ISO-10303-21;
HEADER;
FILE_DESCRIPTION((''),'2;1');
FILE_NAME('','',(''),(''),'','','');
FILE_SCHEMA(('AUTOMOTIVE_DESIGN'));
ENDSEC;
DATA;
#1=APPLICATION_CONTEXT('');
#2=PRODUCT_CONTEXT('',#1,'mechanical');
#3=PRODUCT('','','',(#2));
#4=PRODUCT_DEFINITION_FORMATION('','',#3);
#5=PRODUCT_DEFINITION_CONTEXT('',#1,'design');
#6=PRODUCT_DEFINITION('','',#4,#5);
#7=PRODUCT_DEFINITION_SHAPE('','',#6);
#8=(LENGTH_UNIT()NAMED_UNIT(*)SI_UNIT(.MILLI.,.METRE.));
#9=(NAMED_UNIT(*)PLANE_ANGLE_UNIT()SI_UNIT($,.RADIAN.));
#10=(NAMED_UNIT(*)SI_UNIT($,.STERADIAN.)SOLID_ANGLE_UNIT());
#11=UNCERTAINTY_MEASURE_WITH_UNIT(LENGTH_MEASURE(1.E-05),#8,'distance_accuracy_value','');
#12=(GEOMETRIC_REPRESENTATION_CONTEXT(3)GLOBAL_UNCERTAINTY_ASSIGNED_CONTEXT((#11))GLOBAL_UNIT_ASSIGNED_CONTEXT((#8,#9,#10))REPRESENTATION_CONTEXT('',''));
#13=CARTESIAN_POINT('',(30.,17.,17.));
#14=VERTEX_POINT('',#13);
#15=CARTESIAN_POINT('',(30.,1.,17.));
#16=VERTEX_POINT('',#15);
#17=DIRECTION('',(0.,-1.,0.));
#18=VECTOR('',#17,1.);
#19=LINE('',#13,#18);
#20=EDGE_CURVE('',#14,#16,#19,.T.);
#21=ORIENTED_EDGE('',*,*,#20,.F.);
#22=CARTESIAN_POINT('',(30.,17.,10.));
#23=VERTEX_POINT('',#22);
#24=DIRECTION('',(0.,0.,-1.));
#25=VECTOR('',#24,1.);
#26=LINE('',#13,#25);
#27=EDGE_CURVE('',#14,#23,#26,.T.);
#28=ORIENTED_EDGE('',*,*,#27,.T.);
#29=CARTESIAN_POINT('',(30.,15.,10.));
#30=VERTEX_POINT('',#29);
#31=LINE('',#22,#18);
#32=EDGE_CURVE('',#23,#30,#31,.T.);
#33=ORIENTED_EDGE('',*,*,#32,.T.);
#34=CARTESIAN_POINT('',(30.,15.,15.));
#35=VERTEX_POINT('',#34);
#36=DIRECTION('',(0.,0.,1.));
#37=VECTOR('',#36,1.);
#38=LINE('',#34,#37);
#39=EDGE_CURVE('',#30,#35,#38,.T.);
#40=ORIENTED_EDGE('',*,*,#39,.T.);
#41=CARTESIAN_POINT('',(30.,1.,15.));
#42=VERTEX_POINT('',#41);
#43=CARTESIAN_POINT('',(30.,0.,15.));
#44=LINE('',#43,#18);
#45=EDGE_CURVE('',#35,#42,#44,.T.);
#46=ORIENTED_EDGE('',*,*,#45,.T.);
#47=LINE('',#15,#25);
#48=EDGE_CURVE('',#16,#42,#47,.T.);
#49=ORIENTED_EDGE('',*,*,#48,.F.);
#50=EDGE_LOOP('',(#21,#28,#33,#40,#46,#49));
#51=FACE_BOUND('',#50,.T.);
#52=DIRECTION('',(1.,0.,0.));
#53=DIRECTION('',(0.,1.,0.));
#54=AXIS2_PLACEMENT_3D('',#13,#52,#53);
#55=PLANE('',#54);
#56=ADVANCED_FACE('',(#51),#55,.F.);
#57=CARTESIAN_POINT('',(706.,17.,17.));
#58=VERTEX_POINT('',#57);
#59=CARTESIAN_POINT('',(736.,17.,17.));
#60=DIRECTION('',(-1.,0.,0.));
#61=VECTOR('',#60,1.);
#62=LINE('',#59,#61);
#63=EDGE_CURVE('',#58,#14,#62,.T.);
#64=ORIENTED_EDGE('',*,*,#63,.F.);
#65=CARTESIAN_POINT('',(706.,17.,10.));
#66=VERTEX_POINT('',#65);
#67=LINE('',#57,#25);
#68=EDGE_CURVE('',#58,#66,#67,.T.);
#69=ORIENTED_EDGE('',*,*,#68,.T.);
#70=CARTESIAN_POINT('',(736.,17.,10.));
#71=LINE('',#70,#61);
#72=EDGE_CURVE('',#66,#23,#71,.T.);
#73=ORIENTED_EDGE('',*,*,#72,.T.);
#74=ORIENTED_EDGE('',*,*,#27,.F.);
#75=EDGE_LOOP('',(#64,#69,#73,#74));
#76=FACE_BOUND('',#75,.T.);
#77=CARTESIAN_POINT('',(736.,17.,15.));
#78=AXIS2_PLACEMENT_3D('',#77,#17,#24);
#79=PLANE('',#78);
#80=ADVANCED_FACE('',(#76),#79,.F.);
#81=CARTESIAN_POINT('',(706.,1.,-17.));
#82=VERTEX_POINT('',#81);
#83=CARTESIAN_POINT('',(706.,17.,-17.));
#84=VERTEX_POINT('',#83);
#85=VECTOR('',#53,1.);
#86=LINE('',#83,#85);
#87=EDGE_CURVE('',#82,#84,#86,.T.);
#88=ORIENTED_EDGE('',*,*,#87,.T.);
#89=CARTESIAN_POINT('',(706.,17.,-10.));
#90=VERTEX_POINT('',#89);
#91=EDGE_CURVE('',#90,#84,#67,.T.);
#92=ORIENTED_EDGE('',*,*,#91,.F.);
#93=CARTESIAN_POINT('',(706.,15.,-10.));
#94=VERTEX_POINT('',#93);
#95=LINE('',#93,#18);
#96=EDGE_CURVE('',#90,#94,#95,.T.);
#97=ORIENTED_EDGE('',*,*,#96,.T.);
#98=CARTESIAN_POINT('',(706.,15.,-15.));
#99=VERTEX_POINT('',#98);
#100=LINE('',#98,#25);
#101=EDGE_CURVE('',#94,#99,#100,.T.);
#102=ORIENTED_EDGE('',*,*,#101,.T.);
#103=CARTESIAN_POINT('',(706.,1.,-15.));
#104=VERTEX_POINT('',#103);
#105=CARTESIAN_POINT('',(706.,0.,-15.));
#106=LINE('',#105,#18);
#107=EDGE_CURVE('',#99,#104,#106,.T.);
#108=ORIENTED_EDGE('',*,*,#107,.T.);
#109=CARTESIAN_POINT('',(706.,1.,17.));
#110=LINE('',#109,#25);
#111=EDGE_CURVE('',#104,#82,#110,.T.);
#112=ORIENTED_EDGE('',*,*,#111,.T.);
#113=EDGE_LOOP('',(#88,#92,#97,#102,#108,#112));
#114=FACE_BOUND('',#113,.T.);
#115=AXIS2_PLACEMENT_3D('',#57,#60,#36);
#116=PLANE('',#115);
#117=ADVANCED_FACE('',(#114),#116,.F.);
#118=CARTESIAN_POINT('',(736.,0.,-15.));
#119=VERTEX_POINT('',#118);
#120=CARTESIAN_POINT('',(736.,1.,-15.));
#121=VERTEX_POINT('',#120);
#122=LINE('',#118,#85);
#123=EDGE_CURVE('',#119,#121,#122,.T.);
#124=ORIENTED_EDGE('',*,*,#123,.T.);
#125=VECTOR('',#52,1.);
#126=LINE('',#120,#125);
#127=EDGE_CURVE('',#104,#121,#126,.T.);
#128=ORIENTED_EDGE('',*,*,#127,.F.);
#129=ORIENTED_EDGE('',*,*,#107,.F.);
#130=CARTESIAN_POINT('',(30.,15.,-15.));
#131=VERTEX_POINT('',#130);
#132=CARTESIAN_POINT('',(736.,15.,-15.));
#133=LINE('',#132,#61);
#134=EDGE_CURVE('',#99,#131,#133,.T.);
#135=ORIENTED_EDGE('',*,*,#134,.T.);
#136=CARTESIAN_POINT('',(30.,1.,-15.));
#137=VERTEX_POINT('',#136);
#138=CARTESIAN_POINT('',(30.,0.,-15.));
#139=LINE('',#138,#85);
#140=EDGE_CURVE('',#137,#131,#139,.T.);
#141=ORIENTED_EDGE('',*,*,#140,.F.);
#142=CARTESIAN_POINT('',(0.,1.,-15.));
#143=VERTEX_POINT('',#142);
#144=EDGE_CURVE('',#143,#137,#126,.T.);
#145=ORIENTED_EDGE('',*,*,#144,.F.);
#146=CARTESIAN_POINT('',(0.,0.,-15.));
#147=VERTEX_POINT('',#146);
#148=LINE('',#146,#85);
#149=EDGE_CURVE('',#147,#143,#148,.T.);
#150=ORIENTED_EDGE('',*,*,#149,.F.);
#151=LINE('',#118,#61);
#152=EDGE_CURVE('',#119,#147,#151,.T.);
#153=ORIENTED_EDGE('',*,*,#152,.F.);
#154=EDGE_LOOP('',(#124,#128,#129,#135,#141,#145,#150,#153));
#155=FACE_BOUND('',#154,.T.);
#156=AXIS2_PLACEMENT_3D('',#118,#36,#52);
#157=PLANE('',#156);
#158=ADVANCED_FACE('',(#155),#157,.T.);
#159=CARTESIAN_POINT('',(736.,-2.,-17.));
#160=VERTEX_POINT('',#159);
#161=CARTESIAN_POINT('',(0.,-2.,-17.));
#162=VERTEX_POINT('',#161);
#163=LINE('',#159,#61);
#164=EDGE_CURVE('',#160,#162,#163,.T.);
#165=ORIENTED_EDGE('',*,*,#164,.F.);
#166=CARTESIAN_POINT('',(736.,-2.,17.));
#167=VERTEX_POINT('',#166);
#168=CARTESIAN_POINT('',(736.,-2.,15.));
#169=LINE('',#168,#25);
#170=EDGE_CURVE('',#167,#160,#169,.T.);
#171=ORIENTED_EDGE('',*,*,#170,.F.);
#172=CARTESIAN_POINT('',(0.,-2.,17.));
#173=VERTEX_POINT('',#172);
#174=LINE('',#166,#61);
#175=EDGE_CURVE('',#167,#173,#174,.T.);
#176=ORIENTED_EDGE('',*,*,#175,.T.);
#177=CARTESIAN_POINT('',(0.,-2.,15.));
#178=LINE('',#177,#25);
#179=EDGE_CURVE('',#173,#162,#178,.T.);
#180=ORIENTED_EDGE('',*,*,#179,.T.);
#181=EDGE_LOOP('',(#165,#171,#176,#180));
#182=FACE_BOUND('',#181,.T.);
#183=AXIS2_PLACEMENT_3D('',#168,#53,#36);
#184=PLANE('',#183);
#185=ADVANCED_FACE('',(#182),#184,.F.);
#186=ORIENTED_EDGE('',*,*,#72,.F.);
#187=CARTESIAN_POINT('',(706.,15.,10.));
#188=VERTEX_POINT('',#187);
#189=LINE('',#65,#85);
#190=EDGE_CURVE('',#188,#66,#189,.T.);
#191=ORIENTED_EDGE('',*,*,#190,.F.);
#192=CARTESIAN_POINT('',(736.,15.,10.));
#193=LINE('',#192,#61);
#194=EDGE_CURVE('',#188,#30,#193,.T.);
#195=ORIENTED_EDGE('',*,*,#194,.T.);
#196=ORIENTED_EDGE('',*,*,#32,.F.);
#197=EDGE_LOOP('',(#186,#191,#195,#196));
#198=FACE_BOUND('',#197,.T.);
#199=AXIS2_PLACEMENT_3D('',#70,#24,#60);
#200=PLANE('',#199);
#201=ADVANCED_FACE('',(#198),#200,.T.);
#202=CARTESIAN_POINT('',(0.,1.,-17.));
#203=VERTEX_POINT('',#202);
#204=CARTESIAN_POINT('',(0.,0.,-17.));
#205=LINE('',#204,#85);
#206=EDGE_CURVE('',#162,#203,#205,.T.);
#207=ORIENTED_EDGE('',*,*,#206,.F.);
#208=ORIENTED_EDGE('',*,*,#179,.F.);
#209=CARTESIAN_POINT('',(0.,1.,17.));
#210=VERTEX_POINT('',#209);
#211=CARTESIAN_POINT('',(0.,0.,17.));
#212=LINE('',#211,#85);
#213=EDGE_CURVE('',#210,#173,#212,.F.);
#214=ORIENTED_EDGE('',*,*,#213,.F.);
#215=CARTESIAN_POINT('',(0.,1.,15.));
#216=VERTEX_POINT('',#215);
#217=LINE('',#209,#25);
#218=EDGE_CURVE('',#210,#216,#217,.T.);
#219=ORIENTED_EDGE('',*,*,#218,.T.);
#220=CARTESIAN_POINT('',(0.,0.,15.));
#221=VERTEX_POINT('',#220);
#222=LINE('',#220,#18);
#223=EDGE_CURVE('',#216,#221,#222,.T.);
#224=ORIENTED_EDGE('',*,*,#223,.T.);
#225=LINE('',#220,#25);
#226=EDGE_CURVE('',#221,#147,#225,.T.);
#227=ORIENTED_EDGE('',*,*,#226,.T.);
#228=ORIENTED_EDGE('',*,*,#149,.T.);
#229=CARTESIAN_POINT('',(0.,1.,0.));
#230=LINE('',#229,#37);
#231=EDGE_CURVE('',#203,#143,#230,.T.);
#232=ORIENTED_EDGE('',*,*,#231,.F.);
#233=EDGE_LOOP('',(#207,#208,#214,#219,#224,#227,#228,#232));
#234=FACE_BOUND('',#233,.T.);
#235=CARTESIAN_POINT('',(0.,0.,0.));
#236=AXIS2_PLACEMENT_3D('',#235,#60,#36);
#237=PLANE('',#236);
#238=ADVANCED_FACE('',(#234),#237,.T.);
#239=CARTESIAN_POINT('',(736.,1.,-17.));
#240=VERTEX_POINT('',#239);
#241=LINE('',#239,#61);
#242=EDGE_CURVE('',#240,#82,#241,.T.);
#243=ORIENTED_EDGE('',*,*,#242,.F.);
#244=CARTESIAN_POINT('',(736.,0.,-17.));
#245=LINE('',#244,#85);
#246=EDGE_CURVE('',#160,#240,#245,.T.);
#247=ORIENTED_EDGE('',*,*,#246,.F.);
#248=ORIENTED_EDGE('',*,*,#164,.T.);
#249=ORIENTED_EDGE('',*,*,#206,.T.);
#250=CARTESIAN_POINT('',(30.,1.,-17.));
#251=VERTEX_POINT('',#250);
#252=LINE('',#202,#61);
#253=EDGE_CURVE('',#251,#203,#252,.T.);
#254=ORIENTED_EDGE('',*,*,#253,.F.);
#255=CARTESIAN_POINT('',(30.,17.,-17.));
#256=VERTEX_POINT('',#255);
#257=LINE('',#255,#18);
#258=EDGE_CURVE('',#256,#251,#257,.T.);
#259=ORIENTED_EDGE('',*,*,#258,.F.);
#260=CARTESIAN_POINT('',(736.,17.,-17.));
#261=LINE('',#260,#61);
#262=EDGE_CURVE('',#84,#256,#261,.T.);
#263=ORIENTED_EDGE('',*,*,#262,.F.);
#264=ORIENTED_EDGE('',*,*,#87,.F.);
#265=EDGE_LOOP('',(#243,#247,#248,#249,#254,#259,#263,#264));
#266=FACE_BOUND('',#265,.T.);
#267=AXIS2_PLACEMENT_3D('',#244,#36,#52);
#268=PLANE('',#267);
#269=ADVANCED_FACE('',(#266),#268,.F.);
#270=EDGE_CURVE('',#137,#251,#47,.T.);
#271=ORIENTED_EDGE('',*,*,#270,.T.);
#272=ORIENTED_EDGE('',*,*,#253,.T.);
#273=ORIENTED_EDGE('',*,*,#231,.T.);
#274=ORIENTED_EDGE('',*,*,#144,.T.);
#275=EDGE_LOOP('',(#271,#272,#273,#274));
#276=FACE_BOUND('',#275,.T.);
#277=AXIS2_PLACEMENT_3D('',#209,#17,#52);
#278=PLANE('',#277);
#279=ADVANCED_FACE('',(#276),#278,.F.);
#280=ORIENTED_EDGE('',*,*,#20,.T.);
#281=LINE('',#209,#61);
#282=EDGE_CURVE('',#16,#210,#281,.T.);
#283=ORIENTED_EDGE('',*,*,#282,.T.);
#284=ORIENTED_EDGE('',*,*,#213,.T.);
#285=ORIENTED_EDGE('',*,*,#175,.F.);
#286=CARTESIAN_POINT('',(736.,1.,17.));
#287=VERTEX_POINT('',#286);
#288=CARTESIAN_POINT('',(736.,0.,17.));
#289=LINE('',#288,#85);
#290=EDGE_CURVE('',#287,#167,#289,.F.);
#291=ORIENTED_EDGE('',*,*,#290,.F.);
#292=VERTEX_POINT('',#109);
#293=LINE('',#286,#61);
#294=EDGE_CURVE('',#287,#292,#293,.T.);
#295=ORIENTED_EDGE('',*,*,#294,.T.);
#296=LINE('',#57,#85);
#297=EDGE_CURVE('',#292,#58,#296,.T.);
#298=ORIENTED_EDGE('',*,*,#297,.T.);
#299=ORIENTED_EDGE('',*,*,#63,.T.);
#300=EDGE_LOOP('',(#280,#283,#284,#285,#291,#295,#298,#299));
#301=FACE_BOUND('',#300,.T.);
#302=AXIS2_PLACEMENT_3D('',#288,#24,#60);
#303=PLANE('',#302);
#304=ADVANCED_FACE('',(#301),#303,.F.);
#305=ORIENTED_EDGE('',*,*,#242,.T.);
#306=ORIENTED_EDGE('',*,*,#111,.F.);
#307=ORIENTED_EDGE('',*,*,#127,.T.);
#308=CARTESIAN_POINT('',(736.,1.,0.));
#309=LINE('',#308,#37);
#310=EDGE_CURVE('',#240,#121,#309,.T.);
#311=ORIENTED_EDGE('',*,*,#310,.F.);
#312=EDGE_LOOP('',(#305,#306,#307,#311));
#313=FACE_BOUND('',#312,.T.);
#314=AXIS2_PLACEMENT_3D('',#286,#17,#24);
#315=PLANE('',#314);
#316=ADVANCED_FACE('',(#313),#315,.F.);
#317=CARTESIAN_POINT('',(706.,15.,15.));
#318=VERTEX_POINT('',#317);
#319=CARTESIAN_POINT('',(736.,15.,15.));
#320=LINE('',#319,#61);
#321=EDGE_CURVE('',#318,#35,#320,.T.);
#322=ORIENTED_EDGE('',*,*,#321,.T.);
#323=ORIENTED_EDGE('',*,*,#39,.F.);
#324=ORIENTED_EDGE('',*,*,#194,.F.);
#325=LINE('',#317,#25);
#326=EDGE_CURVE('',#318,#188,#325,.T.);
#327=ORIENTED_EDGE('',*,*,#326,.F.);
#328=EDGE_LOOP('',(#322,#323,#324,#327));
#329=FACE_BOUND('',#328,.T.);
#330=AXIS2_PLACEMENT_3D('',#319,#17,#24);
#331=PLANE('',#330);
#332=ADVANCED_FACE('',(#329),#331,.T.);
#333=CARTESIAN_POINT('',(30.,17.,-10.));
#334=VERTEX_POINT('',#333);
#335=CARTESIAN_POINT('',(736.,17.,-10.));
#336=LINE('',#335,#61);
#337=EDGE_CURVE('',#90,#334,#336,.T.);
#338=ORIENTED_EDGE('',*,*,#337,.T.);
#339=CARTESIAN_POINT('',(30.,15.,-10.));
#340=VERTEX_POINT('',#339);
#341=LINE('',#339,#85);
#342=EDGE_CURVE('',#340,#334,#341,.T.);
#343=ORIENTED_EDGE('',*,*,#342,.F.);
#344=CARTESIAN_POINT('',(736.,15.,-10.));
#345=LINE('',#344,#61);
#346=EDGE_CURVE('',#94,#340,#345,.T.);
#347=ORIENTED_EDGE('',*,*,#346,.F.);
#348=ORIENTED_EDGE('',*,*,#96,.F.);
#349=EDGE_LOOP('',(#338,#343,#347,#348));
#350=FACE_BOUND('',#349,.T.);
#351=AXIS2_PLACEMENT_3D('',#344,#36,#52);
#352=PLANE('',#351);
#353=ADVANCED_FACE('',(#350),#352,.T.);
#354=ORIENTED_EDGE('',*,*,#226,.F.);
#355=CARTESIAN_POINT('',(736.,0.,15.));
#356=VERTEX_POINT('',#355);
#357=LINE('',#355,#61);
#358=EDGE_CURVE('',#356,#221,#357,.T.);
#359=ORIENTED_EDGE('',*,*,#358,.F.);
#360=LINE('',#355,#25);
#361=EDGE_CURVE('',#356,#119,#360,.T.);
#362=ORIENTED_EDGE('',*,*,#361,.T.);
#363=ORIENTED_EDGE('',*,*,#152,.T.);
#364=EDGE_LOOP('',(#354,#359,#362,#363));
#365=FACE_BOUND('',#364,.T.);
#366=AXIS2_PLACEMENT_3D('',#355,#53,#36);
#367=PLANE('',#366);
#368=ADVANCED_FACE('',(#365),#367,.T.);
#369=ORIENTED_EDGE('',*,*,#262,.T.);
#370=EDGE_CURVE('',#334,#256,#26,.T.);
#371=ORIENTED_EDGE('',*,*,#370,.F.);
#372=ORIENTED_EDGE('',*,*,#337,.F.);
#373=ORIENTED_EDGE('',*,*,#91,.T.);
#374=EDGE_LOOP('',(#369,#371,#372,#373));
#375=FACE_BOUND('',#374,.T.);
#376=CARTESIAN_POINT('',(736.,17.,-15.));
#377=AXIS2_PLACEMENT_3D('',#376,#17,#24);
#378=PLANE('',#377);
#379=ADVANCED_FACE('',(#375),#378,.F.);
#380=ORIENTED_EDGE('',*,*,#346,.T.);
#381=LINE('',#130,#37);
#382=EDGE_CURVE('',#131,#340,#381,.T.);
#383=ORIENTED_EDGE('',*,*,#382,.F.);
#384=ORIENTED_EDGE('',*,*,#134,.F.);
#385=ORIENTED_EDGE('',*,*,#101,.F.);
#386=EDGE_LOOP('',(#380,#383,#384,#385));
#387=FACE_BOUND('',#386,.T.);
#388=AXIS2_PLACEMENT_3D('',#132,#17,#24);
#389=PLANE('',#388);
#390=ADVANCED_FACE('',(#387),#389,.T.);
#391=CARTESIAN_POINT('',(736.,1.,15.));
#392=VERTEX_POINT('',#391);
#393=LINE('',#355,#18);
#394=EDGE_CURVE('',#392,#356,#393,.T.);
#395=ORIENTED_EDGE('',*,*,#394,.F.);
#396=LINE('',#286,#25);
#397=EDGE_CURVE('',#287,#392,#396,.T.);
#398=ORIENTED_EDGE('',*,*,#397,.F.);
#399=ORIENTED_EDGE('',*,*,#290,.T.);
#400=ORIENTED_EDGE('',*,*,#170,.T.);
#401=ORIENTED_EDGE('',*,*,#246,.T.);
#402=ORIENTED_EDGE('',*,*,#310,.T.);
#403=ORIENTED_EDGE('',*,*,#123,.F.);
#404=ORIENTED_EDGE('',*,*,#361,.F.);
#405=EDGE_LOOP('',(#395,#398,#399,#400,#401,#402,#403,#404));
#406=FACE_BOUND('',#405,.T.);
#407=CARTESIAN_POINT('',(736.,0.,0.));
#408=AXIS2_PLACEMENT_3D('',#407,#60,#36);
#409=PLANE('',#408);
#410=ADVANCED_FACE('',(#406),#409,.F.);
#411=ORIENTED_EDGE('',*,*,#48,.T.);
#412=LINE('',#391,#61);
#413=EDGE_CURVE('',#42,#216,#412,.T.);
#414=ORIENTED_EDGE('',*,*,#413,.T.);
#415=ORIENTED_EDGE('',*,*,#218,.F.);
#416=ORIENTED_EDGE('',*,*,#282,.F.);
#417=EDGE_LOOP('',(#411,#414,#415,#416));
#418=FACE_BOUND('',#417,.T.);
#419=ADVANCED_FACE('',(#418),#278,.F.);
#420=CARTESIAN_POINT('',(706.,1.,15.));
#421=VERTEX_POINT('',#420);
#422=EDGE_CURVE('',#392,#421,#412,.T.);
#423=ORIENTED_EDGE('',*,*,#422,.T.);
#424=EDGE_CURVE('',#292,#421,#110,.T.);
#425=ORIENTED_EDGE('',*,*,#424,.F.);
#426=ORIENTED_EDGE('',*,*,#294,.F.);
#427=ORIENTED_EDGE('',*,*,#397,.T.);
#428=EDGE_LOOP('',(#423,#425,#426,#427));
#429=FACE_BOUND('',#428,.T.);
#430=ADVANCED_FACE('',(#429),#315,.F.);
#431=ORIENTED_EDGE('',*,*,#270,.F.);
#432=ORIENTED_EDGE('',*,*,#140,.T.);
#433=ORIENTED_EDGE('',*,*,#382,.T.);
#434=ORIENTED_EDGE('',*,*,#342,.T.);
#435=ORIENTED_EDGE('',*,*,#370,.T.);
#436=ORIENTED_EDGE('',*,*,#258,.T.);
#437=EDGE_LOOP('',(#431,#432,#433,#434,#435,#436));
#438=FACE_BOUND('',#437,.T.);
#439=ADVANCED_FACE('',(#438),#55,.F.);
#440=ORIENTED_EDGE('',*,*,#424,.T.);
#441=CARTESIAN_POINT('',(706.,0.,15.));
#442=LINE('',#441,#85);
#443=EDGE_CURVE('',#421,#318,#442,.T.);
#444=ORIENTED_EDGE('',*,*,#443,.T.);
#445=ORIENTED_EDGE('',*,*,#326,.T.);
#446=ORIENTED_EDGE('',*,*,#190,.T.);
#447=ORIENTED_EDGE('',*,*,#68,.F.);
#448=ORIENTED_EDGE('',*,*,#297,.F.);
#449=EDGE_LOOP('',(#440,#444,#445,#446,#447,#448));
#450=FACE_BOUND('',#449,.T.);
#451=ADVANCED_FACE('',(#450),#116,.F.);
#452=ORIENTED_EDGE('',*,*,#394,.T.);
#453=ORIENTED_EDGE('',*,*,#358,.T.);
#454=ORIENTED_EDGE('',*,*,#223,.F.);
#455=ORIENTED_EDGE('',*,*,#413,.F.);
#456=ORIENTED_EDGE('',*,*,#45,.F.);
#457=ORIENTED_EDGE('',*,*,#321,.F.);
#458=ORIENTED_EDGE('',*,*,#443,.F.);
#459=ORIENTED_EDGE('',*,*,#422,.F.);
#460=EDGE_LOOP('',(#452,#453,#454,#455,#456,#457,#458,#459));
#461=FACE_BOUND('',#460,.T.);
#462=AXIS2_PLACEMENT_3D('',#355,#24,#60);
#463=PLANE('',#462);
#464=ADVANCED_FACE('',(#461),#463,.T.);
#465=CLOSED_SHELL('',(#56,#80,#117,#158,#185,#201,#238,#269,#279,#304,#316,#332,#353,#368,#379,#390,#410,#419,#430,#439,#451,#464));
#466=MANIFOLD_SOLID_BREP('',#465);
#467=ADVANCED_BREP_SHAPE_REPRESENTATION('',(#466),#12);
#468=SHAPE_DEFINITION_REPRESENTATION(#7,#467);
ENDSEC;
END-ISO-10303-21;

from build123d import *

# Parameters (mm, degrees)
EXTRUDE_1_DEPTH     = 736
SKETCH_2_W          = 30
SKETCH_2_H          = 16
CUT_EXTRUDE_1_DEPTH = 35


with BuildPart() as part:
    # Эскиз1 → Вытянуть-Тонкостенный1 (new body)
    with BuildSketch(Plane(origin=(0, 0, 0), x_dir=(0, 0, -1), z_dir=(1, 0, 0))):
        Polygon((-10, 15), (-15, 15), (-15, 0), (15, 0), (15, 15), (10, 15), (10, 17), (17, 17), (17, -2), (-17, -2), (-17, 17), (-10, 17), align=None)
    extrude(amount=EXTRUDE_1_DEPTH)

    # Эскиз2 → Вырез-Вытянуть1 (cut, through all)
    with BuildSketch(Plane(origin=(0, 0, -17), x_dir=(-1, 0, 0), z_dir=(0, 0, -1))):
        with Locations((-721, 9)):
            Rectangle(SKETCH_2_W, SKETCH_2_H)
        with Locations((-15, 9)):
            Rectangle(SKETCH_2_W, SKETCH_2_H)
    extrude(amount=-CUT_EXTRUDE_1_DEPTH, mode=Mode.SUBTRACT)


solid = part.part
